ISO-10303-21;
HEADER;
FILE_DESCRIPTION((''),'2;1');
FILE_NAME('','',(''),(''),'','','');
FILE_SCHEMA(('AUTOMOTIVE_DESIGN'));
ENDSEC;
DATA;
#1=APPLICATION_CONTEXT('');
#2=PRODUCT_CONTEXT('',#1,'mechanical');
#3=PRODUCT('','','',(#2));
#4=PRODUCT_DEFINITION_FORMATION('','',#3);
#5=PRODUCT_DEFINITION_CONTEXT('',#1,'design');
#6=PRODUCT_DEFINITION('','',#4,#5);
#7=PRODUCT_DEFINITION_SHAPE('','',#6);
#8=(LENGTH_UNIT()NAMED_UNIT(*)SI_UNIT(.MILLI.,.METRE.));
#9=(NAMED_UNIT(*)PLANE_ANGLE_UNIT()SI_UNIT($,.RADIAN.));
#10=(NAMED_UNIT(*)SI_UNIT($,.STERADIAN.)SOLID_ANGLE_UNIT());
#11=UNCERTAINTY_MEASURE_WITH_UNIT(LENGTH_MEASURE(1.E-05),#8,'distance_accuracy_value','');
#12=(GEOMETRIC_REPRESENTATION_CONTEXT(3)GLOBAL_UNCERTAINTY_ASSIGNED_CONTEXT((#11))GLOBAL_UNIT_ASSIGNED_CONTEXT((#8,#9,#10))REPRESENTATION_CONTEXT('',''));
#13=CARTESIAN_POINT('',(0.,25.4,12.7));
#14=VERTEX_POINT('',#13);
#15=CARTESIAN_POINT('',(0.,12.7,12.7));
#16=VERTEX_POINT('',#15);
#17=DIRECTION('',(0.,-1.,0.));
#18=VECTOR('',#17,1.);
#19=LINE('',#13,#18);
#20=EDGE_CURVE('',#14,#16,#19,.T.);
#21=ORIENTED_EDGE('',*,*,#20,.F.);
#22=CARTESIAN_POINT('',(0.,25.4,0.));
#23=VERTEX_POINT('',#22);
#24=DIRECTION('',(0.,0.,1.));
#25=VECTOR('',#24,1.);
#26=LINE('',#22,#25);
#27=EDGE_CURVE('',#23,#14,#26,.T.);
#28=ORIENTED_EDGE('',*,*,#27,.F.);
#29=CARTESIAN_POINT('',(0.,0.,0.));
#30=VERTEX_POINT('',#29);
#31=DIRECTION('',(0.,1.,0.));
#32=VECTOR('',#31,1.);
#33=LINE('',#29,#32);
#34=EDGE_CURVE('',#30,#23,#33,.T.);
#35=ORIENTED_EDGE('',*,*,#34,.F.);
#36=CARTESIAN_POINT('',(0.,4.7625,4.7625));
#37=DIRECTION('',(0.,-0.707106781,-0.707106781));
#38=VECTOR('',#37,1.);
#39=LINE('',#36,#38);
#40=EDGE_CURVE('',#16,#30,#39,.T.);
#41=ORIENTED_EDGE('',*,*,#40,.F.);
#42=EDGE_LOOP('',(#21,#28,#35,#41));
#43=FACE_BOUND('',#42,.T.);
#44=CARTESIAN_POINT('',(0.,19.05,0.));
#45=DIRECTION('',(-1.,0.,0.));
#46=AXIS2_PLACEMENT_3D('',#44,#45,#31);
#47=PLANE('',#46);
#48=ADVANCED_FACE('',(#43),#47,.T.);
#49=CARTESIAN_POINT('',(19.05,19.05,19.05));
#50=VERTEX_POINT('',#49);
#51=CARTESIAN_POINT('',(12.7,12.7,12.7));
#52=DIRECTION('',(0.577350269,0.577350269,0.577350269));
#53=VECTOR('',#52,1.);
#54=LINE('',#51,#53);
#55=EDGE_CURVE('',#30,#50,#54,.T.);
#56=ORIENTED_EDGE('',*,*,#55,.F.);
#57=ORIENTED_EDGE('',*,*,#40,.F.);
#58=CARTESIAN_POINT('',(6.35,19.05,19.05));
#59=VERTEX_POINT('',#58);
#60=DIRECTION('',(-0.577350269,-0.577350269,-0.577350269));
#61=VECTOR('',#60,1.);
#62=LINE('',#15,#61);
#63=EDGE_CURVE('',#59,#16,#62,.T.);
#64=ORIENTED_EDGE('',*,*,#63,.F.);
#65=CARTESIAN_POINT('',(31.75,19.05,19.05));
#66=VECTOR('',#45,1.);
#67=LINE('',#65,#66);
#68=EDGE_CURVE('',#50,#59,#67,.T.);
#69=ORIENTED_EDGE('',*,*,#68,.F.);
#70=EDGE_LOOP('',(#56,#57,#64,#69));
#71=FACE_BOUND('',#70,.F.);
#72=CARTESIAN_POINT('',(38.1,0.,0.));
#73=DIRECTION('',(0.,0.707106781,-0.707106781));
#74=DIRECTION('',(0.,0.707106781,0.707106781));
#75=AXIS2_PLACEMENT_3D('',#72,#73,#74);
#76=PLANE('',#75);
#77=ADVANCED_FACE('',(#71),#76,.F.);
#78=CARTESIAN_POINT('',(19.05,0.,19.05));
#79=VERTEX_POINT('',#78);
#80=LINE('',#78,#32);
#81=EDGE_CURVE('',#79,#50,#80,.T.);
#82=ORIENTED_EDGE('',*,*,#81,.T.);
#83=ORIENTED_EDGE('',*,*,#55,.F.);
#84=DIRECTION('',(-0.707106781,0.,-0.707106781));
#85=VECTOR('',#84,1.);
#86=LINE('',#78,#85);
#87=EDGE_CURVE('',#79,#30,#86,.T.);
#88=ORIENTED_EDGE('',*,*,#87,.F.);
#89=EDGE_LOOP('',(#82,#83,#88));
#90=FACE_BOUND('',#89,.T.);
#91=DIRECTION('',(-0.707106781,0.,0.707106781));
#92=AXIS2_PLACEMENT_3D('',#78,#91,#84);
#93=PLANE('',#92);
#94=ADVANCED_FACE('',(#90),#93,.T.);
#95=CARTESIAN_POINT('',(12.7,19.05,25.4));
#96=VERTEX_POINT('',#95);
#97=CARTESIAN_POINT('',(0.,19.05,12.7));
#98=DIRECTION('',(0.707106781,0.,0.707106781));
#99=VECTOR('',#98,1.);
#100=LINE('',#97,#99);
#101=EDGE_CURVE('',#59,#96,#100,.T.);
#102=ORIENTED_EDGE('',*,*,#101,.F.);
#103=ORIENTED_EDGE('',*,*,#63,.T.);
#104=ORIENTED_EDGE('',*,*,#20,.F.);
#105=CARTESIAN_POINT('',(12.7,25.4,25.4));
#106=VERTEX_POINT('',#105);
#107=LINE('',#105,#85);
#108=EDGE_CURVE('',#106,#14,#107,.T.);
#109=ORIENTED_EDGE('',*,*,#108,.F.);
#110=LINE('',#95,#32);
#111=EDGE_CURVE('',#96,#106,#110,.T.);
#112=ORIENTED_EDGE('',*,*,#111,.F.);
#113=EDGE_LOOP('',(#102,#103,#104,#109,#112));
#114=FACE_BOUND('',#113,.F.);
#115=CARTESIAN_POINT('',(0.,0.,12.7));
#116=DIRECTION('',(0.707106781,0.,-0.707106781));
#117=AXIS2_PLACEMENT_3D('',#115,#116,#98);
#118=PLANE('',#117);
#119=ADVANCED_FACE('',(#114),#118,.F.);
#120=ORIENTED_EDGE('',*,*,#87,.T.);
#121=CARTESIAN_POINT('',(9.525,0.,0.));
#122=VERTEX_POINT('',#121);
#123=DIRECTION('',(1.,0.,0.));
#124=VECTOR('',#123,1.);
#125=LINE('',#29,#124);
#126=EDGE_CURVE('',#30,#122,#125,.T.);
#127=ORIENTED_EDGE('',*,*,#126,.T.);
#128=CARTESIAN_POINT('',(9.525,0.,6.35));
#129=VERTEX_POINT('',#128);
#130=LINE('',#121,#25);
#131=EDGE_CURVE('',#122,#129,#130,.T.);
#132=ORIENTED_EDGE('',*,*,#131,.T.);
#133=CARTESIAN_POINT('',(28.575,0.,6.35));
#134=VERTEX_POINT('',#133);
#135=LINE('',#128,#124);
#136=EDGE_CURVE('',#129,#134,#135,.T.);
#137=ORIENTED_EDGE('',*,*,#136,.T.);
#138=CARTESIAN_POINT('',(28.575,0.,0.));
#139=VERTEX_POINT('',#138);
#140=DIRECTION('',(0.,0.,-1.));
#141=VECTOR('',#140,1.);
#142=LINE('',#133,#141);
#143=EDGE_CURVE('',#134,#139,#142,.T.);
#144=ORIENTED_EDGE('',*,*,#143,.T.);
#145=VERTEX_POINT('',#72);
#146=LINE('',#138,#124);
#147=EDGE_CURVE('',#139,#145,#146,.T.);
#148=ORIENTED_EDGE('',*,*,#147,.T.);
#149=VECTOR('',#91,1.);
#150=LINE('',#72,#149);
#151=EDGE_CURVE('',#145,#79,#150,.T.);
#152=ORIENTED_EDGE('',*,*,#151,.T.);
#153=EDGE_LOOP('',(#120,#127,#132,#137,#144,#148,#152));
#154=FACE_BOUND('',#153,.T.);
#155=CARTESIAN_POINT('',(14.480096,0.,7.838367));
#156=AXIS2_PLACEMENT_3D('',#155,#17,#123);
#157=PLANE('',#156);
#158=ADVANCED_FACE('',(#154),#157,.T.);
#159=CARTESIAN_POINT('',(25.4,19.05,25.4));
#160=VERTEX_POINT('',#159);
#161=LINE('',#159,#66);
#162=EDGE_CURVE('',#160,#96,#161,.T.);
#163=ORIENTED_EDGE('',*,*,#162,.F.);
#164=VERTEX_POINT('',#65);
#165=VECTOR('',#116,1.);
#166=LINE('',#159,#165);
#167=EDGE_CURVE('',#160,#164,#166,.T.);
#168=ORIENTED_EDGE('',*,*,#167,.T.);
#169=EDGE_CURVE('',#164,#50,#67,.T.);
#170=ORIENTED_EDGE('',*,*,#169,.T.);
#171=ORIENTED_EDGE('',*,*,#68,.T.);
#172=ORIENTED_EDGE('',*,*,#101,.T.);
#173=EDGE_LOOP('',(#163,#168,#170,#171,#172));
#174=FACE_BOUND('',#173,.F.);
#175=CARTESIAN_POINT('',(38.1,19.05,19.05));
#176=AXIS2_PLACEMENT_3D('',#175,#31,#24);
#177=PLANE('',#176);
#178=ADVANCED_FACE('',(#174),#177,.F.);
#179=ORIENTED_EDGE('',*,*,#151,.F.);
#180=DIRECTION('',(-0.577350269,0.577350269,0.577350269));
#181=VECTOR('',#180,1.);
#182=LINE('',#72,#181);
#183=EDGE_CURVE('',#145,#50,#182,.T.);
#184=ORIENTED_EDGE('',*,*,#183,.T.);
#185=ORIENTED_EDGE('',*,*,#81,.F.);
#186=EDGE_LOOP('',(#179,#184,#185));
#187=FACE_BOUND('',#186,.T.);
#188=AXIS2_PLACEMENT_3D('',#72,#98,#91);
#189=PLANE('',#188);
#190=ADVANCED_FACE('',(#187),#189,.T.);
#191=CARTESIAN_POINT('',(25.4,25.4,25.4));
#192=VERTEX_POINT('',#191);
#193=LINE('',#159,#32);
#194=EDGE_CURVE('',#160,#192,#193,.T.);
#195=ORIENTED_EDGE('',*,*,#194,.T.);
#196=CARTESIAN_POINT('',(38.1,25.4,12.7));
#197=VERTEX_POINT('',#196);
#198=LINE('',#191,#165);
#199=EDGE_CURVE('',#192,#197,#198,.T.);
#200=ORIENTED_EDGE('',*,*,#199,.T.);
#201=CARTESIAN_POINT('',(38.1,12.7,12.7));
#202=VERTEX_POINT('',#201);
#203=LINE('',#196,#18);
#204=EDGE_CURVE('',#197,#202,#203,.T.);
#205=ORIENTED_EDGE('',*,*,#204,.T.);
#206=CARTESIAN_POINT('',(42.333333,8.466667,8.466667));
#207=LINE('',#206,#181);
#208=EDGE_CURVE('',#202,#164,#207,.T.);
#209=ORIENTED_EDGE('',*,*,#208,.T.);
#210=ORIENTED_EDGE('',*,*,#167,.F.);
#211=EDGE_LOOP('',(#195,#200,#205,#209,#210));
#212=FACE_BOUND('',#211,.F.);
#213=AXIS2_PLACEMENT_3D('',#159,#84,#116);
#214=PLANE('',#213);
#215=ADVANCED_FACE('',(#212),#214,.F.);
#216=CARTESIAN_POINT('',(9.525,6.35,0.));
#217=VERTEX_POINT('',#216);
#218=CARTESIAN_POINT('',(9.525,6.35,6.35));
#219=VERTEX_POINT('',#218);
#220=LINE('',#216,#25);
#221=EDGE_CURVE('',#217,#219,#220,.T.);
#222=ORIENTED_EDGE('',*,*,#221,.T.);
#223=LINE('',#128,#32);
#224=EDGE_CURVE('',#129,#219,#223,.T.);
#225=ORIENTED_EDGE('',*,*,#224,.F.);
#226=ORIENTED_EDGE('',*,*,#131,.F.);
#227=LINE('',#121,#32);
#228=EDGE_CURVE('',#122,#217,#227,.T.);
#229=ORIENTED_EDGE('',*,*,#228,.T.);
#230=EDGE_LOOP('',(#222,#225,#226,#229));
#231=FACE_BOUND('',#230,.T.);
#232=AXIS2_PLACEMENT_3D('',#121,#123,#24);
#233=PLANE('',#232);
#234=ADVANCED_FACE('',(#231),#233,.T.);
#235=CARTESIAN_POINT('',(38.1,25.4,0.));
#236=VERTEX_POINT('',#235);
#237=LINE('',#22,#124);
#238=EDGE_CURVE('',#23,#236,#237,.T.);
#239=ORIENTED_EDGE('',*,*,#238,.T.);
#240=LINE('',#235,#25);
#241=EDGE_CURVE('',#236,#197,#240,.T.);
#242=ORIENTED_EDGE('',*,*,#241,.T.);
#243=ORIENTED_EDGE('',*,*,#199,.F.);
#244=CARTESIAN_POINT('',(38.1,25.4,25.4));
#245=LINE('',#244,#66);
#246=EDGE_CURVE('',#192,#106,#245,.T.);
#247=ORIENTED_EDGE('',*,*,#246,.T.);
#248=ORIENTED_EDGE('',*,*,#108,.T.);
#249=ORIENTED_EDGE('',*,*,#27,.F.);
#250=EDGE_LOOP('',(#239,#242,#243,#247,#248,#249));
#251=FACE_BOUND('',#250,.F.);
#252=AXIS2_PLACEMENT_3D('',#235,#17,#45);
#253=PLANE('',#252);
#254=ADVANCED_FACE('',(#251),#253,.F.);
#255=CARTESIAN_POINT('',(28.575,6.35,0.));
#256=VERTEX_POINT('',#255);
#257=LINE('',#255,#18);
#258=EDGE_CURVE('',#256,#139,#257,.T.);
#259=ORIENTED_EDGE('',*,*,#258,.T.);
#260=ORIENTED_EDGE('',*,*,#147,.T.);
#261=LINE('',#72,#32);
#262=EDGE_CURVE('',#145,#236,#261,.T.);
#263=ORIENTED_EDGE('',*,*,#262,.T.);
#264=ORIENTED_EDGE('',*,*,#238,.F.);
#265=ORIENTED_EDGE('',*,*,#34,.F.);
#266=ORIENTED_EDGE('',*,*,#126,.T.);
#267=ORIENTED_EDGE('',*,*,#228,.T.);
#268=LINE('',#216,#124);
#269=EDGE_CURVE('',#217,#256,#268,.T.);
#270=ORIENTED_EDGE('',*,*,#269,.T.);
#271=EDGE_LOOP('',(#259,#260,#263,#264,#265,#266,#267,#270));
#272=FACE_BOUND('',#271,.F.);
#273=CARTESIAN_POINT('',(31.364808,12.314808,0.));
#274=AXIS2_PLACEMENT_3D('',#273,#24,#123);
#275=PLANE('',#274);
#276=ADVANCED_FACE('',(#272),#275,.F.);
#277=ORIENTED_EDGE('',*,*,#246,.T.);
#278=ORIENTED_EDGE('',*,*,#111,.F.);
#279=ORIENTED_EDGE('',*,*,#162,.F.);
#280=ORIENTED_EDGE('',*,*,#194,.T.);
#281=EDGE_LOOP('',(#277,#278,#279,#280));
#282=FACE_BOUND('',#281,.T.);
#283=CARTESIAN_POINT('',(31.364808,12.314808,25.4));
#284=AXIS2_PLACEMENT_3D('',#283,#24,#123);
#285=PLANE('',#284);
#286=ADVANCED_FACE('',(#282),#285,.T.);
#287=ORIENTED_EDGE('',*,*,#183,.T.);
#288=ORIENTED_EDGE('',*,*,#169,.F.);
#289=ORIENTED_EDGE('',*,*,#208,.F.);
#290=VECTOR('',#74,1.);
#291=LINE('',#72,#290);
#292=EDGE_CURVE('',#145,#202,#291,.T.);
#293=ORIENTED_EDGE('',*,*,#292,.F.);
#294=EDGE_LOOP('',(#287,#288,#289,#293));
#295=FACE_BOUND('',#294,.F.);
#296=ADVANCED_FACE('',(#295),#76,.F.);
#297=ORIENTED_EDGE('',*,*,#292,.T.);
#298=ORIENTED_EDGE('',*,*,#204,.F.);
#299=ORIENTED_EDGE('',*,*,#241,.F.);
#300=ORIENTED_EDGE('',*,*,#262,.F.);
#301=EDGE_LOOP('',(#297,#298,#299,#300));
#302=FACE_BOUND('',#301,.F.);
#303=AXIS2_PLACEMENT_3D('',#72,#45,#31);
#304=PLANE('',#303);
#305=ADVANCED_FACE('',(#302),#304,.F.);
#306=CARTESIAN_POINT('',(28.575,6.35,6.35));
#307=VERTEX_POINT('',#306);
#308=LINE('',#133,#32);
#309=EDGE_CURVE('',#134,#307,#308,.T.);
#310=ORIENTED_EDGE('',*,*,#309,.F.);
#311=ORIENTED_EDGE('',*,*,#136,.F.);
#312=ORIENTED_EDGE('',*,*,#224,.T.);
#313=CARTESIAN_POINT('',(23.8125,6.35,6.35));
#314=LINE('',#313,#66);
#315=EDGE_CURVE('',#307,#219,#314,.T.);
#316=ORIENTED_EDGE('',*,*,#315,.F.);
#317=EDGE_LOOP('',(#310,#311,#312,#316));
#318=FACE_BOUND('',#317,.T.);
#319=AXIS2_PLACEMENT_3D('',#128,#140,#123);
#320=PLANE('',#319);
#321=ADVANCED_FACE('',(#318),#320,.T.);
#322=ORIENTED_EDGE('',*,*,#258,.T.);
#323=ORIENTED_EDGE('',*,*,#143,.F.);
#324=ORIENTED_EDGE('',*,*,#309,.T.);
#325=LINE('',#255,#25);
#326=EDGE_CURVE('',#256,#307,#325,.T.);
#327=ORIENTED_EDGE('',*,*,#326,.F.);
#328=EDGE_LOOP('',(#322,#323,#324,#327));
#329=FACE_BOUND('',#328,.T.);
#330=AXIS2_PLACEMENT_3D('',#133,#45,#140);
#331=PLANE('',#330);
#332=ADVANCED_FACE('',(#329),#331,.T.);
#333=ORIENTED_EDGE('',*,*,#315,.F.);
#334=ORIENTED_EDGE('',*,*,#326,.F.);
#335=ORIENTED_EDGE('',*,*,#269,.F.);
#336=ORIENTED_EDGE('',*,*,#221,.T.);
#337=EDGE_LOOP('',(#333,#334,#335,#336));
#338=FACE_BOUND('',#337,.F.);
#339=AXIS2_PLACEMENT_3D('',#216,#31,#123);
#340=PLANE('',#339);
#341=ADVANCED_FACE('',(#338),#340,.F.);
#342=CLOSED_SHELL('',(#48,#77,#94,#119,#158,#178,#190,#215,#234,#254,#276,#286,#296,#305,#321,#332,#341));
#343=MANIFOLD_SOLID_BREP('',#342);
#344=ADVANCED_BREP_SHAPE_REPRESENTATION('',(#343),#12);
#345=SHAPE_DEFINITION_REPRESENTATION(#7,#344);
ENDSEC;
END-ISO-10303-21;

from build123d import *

# Parameters (mm, degrees)
F0_W      = 12.7
F0_H      = 6.35
F1_DEPTH  = 25.4
F3_DEPTH  = 6.351
F4_DEPTH  = 19.05
F6_DEPTH  = 19.05
F7_DEPTH  = 25.4
F9_DEPTH  = 38.101
F10_DEPTH = 25.4
F12_DEPTH = 25.401


with BuildPart() as f1:
    # F0 (on Top) → F1 (new body)
    with BuildSketch(Plane.XY):
        Polygon((25.4, 25.4), (12.7, 25.4), (12.7, 19.05), (19.05, 19.05), (25.4, 19.05), align=None)
        with Locations((6.35, 22.225)):
            Rectangle(F0_W, F0_H)
        with Locations((31.75, 22.225)):
            Rectangle(F0_W, F0_H)
    extrude(amount=F1_DEPTH)

    # F2 (on face) → F3 (cut, through all)
    with BuildSketch(Plane.XZ.offset(-19.05)):
        Polygon((12.7, 25.4), (0, 25.4), (0, 12.7), align=None)
        Polygon((38.1, 25.4), (25.4, 25.4), (38.1, 12.7), align=None)
    extrude(amount=-F3_DEPTH, mode=Mode.SUBTRACT)



with BuildPart() as f4:
    # F0 (on Top) → F4 (new body)
    with BuildSketch(Plane.XY):
        Polygon((19.05, 19.05), (0, 0), (9.525, 0), (9.525, 6.35), (28.575, 6.35), (28.575, 0), (38.1, 0), align=None)
    extrude(amount=F4_DEPTH)

    # F5 (on face) → F6 (cut)
    with BuildSketch(Plane.XZ):
        Polygon((38.1, 19.05), (28.575, 19.05), (28.575, 9.525), (38.1, 0), align=None)
        Polygon((0, 19.05), (0, 0), (19.05, 19.05), align=None)
    extrude(amount=-F6_DEPTH, mode=Mode.SUBTRACT)


with BuildPart() as f1_1:
    add(f1.part)

    add(f4.part)  # F7 merges F4
    # F0 (on Top) → F7 (join)
    with BuildSketch(Plane.XY):
        Polygon((38.1, 19.05), (25.4, 19.05), (19.05, 19.05), (38.1, 0), align=None)
        Polygon((12.7, 19.05), (0, 19.05), (0, 0), (19.05, 19.05), align=None)
    extrude(amount=F7_DEPTH)

    # F8 (on face) → F9 (cut, through all)
    with BuildSketch(Plane.YZ.offset(38.1)):
        Polygon((0, 0), (19.05, 19.05), (19.05, 25.4), (0, 25.4), align=None)
    extrude(amount=-F9_DEPTH, mode=Mode.SUBTRACT)

    # F5 (on face) → F10 (join)
    with BuildSketch(Plane.XZ):
        Polygon((19.05, 19.05), (0, 0), (9.525, 0), (9.525, 6.35), (28.575, 6.35), (28.575, 9.525), align=None)
        Polygon((28.575, 6.35), (28.575, 0), (38.1, 0), (28.575, 9.525), align=None)
    extrude(amount=-F10_DEPTH)

    # F11 (on face) → F12 (cut, through all)
    with BuildSketch(Plane.XZ):
        Polygon((6.35, 19.05), (0, 19.05), (0, 12.7), align=None)
        Polygon((38.1, 12.7), (38.1, 19.05), (31.75, 19.05), align=None)
    extrude(amount=-F12_DEPTH, mode=Mode.SUBTRACT)


solid = f1_1.part
